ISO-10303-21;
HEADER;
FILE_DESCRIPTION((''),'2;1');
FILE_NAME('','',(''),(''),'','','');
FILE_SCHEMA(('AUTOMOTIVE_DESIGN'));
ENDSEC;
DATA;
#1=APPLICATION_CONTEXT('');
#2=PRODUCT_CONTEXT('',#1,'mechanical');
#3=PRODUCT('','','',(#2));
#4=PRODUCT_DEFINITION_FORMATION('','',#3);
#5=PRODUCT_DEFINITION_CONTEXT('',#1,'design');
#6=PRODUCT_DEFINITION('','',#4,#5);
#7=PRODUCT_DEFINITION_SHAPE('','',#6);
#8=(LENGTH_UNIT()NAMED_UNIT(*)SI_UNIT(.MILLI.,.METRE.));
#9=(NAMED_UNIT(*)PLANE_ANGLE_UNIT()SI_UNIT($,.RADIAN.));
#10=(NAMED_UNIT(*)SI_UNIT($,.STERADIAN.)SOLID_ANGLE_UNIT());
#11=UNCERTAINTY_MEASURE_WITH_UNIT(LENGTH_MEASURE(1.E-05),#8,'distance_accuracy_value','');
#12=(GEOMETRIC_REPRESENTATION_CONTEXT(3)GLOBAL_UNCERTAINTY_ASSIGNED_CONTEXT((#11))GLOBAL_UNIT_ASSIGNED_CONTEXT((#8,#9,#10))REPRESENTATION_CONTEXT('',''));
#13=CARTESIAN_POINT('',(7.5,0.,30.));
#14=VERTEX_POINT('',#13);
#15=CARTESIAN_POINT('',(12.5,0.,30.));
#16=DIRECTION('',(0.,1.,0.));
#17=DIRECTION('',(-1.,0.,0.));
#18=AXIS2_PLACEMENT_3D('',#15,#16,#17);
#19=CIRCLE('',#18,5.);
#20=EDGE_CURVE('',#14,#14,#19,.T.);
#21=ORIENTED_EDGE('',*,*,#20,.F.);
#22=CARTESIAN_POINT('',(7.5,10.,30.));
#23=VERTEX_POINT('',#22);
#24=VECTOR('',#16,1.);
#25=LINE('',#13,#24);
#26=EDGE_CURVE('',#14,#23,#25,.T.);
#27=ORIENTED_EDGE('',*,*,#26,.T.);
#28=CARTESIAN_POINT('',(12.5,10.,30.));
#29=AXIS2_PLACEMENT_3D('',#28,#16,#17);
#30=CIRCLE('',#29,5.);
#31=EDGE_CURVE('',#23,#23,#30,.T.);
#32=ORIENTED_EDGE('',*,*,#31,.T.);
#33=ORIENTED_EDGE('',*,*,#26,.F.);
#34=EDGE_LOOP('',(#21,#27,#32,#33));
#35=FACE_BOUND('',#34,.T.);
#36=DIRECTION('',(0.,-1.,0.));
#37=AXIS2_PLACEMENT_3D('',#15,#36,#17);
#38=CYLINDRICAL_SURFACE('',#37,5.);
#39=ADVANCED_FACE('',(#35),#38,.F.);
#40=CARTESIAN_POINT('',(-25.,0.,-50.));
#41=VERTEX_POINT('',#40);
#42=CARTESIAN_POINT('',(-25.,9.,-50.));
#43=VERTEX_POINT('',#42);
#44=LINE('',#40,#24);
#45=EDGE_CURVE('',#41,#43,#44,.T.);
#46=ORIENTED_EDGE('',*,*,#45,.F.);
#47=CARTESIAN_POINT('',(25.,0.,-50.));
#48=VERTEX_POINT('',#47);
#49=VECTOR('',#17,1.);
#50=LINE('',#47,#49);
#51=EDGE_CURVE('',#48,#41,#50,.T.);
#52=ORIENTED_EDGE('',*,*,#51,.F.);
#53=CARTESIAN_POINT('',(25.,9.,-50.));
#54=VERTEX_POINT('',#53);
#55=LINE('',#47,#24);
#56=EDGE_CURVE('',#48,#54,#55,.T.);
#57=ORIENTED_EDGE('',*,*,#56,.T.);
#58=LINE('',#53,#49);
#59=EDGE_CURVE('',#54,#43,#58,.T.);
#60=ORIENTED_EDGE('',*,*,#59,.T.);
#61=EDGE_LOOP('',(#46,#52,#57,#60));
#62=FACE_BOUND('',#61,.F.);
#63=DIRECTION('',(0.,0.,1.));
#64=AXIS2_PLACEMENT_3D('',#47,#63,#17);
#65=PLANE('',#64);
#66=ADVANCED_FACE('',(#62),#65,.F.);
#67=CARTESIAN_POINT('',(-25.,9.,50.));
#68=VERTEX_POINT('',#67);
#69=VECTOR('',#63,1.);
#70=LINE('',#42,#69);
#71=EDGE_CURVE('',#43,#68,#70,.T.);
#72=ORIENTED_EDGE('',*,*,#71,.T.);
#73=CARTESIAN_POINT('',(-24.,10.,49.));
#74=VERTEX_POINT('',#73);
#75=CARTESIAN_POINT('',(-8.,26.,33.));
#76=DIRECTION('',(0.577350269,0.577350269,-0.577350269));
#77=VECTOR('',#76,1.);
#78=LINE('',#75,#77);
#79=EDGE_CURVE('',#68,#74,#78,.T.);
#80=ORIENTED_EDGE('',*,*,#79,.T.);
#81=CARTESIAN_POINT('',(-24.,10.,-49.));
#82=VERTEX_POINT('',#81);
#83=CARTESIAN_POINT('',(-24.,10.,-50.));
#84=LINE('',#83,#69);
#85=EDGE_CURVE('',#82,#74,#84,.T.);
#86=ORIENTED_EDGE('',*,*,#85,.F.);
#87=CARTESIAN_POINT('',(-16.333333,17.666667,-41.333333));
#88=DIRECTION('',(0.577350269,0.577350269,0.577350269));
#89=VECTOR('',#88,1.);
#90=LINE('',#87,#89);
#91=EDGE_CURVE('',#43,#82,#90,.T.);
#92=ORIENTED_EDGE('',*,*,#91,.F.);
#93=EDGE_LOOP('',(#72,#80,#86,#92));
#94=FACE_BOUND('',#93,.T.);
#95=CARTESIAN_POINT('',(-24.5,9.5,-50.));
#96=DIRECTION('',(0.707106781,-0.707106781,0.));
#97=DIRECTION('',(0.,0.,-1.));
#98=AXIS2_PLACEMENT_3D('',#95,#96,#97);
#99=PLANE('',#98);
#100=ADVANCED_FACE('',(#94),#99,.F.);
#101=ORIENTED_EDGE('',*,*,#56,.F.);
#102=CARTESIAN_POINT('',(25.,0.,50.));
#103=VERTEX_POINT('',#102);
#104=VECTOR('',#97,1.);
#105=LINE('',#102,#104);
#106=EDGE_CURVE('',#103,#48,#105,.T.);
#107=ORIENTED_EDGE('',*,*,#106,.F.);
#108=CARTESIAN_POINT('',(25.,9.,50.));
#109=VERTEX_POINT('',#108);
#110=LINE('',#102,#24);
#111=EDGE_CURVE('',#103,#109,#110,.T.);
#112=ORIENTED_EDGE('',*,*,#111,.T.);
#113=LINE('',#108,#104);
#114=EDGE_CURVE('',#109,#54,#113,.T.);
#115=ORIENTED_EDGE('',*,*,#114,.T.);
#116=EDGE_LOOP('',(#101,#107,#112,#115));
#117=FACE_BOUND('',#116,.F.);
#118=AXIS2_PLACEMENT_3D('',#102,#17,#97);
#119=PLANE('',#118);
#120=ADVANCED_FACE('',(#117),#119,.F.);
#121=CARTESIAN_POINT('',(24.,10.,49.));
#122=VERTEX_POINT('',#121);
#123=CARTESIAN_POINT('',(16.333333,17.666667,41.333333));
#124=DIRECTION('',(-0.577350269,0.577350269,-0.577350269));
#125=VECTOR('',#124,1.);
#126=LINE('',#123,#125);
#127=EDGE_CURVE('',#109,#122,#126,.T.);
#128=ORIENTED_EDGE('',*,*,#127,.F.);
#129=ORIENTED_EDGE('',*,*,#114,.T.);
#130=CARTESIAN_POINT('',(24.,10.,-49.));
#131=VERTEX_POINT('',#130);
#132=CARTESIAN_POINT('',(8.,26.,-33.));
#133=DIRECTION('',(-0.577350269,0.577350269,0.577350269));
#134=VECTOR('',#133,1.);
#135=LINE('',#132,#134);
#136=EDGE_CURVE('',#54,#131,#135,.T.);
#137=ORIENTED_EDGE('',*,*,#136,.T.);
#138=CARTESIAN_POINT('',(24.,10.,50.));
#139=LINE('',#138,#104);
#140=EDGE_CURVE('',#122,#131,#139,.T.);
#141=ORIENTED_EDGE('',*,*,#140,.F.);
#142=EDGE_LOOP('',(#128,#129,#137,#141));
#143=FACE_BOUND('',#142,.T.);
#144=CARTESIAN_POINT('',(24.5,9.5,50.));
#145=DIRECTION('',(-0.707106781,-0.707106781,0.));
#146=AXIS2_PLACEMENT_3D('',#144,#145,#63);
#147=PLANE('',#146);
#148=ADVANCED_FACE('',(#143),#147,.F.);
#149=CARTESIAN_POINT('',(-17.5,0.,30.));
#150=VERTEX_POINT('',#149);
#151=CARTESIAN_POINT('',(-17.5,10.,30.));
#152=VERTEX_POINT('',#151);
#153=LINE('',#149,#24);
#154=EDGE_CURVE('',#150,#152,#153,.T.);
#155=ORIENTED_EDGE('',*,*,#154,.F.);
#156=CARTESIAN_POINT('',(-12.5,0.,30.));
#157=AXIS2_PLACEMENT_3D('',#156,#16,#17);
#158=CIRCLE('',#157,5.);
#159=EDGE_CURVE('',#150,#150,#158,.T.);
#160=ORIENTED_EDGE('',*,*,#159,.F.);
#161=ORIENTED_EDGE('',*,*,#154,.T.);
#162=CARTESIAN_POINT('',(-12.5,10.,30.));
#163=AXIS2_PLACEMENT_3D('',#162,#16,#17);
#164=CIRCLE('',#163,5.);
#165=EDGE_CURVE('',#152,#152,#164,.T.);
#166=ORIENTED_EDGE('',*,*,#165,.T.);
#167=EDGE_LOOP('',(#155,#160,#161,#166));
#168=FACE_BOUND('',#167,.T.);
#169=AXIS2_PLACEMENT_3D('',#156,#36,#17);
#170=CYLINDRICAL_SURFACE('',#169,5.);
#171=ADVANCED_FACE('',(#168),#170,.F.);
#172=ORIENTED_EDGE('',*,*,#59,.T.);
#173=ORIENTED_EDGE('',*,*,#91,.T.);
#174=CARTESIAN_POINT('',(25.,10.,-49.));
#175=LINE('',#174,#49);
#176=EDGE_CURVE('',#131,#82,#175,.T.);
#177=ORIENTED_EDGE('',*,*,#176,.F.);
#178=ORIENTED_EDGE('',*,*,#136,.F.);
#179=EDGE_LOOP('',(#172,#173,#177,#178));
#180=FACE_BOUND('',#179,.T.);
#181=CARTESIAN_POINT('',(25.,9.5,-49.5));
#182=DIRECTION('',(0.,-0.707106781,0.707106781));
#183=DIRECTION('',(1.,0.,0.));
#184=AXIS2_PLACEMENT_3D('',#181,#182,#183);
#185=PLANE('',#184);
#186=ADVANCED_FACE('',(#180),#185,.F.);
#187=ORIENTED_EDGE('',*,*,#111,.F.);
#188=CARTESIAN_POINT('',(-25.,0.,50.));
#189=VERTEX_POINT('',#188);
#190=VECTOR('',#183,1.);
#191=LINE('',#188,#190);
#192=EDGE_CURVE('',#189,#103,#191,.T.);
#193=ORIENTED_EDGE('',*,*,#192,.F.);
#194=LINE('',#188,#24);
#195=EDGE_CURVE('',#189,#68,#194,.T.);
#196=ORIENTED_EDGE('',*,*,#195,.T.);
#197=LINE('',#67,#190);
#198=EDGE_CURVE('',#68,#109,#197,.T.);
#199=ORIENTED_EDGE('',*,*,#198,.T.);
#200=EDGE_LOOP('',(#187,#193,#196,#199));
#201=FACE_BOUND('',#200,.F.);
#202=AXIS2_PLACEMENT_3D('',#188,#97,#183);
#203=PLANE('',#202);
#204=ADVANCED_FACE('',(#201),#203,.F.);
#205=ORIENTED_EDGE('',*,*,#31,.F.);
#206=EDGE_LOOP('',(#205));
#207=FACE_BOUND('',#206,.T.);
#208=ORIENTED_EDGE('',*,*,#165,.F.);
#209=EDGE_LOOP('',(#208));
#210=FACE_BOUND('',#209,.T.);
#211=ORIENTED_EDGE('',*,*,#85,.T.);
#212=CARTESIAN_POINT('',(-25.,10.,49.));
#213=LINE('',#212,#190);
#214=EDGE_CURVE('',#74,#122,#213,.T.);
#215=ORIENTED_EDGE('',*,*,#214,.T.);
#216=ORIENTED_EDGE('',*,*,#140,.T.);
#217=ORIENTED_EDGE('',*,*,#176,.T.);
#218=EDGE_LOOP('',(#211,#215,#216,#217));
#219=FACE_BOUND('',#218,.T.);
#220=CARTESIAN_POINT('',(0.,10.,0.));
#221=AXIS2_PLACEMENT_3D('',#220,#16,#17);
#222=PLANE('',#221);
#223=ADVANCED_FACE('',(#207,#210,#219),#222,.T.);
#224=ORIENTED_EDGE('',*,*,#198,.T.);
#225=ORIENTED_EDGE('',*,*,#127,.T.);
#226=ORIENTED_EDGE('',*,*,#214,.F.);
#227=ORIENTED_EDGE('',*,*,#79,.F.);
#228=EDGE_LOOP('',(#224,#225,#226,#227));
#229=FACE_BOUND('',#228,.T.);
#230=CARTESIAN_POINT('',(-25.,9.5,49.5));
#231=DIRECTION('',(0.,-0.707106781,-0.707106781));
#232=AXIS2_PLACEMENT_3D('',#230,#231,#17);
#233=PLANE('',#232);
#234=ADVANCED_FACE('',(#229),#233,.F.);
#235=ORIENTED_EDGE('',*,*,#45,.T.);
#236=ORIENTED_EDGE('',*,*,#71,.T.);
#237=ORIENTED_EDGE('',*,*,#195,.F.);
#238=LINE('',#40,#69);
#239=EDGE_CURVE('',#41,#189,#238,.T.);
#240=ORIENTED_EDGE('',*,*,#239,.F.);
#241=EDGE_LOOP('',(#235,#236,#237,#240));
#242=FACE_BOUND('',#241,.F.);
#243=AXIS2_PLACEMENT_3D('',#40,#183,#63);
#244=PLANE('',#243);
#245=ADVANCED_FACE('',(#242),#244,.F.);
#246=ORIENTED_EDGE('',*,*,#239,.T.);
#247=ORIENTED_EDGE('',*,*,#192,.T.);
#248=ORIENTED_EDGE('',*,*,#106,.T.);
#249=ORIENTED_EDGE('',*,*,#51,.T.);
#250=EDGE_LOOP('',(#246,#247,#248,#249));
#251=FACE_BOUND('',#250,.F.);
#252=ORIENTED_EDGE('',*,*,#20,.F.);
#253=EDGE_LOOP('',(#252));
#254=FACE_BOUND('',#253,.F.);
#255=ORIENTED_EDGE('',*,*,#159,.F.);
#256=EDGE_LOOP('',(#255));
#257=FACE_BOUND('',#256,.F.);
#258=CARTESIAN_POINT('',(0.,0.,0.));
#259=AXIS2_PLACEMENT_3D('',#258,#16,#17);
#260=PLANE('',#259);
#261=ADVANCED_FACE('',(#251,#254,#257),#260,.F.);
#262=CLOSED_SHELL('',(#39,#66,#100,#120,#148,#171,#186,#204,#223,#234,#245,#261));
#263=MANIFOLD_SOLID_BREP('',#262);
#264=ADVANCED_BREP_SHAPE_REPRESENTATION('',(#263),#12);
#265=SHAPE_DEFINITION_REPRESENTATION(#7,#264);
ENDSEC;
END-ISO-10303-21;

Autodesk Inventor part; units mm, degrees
ref_plane "YZ Plane" through (0, 0, 0) normal (1, 0, 0) x (0, 1, 0)
ref_plane "XZ Plane" through (0, 0, 0) normal (0, 1, 0) x (-1, 0, 0)
ref_plane "XY Plane" through (0, 0, 0) normal (0, 0, 1) x (1, 0, 0)
sketch "草圖1" plane through (0, 0, 0) normal (0, 1, 0) x (-1, 0, 0)
  line L0 (25, 50) -> (-25, 50)
  line L1 (-25, 50) -> (-25, -50)
  line L2 (-25, -50) -> (25, -50)
  line L3 (25, -50) -> (25, 50)
  circle A0 centre (12.5, 30) radius 5
  circle A1 centre (-12.5, 30) radius 5
  point P0 (0, 0)
  point P1 (25, 0)
  point P2 (0, -50)
  dimension "d0" = 50
  dimension "d1" = 100
  dimension "d2" = 25
  dimension "d3" = 12.5
  dimension "d4" = 10
  dimension "d5" = 20
extrude "擠出1" add sketch "草圖1" along normal blind 10
chamfer "倒角1" distance 1 angle 45 4 edges at (0, 10, 50) (-25, 10, 0) (25, 10, 0) (0, 10, -50)
thread "螺紋1" size "M10x1.25" class "6H" standard "ISO Metric profile" full length
thread "螺紋2" size "M10x1.5" class "6H" standard "ANSI Metric M Profile" full length
properties part number "P10"
